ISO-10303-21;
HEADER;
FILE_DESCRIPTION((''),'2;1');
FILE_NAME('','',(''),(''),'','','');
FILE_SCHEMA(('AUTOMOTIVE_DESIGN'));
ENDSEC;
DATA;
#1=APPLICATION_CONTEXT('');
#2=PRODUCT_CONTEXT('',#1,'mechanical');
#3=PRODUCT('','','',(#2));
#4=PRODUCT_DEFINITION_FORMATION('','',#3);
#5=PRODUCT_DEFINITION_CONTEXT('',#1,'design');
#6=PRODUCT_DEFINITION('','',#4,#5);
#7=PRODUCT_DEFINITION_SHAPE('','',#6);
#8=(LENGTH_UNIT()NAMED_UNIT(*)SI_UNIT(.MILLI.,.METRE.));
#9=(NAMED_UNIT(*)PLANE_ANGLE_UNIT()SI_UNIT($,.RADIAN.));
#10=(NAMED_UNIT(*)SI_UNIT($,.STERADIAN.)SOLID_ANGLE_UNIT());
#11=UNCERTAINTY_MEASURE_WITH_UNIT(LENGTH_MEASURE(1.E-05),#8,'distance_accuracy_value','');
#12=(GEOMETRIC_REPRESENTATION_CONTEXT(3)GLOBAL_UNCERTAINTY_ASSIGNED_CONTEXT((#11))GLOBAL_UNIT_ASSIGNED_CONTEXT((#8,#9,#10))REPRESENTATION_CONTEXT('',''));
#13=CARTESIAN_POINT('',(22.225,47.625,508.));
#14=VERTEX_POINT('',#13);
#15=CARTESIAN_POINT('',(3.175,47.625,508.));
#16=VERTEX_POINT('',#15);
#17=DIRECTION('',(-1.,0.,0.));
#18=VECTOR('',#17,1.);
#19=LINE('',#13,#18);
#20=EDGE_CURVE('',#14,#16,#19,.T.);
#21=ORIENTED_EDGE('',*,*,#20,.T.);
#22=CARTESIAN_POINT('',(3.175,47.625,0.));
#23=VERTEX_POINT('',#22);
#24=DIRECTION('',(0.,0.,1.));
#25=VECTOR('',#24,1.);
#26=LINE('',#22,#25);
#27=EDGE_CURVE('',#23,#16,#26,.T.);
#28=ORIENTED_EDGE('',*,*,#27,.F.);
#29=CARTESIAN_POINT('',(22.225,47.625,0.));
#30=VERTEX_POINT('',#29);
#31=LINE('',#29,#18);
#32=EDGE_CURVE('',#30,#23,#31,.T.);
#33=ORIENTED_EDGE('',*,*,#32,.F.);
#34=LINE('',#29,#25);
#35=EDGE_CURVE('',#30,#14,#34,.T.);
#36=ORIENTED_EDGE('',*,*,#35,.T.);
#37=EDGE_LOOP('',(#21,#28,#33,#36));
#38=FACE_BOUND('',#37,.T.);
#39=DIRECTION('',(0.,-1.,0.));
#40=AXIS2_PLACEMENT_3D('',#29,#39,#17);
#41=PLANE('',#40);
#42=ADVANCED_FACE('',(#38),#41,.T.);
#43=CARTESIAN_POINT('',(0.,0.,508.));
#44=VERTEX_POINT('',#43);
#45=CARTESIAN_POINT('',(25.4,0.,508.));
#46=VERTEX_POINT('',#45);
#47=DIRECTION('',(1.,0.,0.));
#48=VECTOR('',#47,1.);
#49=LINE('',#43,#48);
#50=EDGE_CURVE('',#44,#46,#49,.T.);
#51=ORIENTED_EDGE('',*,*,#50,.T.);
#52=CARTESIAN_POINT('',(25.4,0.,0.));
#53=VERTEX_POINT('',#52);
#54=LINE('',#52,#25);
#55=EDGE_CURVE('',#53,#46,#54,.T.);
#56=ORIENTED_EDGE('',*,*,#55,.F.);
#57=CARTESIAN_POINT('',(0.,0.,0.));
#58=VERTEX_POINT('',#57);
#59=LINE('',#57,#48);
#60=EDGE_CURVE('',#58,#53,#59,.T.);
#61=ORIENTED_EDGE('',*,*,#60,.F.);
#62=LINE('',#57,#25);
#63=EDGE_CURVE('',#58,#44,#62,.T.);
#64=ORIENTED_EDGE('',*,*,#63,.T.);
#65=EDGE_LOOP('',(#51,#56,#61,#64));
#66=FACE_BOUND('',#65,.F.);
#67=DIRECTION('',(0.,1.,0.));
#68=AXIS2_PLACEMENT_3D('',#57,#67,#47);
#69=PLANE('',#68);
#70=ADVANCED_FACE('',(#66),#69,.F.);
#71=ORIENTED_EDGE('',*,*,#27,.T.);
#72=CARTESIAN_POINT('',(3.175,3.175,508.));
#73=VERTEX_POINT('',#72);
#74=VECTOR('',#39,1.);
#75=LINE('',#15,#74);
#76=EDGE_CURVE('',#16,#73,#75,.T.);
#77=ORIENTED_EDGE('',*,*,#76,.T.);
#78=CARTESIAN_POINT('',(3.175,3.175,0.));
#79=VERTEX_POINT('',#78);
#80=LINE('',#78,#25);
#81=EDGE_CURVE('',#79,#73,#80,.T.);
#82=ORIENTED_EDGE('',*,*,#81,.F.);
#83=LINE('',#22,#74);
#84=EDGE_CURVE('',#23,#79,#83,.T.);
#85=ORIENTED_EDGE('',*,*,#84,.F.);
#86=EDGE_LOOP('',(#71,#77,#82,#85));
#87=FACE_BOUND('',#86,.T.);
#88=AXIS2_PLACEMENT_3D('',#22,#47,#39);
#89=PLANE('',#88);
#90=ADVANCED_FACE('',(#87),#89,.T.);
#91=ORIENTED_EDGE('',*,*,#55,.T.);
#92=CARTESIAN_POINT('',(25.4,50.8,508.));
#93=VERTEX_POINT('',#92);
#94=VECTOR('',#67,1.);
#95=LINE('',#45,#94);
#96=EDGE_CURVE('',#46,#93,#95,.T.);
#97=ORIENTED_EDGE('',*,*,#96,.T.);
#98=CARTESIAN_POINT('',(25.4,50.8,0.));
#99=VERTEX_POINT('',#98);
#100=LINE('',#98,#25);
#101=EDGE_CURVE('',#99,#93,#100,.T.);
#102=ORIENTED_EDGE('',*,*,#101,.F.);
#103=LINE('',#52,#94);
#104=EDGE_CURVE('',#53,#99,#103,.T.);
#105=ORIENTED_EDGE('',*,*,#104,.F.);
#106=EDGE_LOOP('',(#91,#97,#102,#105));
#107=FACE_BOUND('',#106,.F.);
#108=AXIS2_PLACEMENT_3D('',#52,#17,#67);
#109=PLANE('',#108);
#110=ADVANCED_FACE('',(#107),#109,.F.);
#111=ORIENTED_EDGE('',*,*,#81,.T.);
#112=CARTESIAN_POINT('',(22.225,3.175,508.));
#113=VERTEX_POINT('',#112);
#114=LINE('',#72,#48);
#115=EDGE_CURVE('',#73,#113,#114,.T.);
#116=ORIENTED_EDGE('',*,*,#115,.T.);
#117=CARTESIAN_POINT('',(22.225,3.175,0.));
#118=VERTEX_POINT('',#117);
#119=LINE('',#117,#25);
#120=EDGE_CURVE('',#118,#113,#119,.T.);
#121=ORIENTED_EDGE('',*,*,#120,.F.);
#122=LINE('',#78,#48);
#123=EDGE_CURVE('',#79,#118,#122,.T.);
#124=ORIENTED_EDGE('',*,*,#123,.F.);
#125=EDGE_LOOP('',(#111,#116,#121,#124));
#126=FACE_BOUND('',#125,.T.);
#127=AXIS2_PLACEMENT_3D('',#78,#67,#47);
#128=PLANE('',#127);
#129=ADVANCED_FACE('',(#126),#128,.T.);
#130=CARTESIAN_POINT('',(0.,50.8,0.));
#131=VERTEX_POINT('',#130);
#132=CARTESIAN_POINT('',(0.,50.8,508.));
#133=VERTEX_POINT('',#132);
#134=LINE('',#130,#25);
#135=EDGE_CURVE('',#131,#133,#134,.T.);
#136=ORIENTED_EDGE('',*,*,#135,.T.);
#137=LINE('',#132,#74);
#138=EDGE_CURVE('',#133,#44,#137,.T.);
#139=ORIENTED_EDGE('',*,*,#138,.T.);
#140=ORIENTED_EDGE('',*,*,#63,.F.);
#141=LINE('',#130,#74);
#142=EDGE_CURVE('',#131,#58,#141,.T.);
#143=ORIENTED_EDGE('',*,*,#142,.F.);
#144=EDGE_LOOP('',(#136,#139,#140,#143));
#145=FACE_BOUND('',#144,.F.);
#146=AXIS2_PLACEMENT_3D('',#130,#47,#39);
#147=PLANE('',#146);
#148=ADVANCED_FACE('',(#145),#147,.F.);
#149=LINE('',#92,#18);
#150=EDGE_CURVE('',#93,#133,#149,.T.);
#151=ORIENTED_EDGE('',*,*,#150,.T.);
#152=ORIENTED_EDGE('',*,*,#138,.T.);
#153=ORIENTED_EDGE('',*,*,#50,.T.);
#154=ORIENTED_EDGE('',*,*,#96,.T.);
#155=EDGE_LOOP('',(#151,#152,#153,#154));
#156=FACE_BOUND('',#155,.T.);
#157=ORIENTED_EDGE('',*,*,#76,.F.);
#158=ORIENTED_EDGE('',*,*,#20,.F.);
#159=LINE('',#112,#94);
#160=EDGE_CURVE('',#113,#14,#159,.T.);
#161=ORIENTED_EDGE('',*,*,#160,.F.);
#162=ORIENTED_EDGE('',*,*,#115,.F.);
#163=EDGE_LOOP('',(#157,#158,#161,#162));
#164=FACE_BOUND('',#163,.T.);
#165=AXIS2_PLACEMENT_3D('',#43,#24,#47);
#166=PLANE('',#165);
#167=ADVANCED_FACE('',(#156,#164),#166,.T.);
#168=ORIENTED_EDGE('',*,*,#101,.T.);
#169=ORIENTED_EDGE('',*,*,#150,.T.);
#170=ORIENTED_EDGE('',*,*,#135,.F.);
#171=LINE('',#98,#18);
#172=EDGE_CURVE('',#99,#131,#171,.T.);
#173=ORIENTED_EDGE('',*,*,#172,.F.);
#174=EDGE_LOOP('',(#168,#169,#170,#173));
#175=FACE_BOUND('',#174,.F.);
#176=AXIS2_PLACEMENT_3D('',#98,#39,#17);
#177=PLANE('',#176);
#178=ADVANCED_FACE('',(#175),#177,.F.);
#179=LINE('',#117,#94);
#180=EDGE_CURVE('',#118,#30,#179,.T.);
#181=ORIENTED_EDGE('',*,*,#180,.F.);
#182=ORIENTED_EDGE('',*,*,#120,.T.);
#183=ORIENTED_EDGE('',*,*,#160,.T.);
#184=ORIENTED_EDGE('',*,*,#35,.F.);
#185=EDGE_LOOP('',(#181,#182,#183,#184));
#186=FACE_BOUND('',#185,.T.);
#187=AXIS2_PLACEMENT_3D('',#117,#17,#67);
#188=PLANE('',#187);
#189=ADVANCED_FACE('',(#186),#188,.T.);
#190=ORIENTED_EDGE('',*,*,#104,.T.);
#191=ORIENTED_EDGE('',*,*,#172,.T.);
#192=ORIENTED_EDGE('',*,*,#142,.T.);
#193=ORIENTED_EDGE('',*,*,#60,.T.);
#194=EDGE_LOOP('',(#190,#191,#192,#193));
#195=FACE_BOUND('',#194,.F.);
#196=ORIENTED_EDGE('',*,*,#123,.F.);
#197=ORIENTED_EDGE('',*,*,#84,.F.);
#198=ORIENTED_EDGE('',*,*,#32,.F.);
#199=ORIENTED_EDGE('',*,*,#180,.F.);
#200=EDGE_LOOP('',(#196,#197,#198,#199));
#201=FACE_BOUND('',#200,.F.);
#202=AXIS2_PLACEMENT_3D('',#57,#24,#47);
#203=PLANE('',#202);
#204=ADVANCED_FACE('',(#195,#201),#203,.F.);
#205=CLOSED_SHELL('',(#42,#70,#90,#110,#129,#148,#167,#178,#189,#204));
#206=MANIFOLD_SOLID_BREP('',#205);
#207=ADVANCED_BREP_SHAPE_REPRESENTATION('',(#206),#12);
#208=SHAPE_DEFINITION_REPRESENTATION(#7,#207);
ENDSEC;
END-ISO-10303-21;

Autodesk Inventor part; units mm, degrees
ref_plane "YZ Plane" through (0, 0, 0) normal (1, 0, 0) x (0, 1, 0)
ref_plane "XZ Plane" through (0, 0, 0) normal (0, 1, 0) x (-1, 0, 0)
ref_plane "XY Plane" through (0, 0, 0) normal (0, 0, 1) x (1, 0, 0)
sketch "Sketch1" plane through (0, 0, 0) normal (0, 0, 1) x (1, 0, 0)
  line L0 (0, 0) -> (25.4, 0)
  line L1 (25.4, 0) -> (25.4, 50.8)
  line L2 (25.4, 50.8) -> (0, 50.8)
  line L3 (0, 50.8) -> (0, 0)
  line L4 (3.175, 3.175) -> (22.225, 3.175)
  line L5 (22.225, 3.175) -> (22.225, 47.625)
  line L6 (22.225, 47.625) -> (3.175, 47.625)
  line L7 (3.175, 47.625) -> (3.175, 3.175)
  dimension "d0" = 25.4
  dimension "d1" = 50.8
  dimension "d2" = 3.175
extrude "Extrusion1" add sketch "Sketch1" along normal blind 508
properties part number "1x2x20" material "Aluminum 6061"
